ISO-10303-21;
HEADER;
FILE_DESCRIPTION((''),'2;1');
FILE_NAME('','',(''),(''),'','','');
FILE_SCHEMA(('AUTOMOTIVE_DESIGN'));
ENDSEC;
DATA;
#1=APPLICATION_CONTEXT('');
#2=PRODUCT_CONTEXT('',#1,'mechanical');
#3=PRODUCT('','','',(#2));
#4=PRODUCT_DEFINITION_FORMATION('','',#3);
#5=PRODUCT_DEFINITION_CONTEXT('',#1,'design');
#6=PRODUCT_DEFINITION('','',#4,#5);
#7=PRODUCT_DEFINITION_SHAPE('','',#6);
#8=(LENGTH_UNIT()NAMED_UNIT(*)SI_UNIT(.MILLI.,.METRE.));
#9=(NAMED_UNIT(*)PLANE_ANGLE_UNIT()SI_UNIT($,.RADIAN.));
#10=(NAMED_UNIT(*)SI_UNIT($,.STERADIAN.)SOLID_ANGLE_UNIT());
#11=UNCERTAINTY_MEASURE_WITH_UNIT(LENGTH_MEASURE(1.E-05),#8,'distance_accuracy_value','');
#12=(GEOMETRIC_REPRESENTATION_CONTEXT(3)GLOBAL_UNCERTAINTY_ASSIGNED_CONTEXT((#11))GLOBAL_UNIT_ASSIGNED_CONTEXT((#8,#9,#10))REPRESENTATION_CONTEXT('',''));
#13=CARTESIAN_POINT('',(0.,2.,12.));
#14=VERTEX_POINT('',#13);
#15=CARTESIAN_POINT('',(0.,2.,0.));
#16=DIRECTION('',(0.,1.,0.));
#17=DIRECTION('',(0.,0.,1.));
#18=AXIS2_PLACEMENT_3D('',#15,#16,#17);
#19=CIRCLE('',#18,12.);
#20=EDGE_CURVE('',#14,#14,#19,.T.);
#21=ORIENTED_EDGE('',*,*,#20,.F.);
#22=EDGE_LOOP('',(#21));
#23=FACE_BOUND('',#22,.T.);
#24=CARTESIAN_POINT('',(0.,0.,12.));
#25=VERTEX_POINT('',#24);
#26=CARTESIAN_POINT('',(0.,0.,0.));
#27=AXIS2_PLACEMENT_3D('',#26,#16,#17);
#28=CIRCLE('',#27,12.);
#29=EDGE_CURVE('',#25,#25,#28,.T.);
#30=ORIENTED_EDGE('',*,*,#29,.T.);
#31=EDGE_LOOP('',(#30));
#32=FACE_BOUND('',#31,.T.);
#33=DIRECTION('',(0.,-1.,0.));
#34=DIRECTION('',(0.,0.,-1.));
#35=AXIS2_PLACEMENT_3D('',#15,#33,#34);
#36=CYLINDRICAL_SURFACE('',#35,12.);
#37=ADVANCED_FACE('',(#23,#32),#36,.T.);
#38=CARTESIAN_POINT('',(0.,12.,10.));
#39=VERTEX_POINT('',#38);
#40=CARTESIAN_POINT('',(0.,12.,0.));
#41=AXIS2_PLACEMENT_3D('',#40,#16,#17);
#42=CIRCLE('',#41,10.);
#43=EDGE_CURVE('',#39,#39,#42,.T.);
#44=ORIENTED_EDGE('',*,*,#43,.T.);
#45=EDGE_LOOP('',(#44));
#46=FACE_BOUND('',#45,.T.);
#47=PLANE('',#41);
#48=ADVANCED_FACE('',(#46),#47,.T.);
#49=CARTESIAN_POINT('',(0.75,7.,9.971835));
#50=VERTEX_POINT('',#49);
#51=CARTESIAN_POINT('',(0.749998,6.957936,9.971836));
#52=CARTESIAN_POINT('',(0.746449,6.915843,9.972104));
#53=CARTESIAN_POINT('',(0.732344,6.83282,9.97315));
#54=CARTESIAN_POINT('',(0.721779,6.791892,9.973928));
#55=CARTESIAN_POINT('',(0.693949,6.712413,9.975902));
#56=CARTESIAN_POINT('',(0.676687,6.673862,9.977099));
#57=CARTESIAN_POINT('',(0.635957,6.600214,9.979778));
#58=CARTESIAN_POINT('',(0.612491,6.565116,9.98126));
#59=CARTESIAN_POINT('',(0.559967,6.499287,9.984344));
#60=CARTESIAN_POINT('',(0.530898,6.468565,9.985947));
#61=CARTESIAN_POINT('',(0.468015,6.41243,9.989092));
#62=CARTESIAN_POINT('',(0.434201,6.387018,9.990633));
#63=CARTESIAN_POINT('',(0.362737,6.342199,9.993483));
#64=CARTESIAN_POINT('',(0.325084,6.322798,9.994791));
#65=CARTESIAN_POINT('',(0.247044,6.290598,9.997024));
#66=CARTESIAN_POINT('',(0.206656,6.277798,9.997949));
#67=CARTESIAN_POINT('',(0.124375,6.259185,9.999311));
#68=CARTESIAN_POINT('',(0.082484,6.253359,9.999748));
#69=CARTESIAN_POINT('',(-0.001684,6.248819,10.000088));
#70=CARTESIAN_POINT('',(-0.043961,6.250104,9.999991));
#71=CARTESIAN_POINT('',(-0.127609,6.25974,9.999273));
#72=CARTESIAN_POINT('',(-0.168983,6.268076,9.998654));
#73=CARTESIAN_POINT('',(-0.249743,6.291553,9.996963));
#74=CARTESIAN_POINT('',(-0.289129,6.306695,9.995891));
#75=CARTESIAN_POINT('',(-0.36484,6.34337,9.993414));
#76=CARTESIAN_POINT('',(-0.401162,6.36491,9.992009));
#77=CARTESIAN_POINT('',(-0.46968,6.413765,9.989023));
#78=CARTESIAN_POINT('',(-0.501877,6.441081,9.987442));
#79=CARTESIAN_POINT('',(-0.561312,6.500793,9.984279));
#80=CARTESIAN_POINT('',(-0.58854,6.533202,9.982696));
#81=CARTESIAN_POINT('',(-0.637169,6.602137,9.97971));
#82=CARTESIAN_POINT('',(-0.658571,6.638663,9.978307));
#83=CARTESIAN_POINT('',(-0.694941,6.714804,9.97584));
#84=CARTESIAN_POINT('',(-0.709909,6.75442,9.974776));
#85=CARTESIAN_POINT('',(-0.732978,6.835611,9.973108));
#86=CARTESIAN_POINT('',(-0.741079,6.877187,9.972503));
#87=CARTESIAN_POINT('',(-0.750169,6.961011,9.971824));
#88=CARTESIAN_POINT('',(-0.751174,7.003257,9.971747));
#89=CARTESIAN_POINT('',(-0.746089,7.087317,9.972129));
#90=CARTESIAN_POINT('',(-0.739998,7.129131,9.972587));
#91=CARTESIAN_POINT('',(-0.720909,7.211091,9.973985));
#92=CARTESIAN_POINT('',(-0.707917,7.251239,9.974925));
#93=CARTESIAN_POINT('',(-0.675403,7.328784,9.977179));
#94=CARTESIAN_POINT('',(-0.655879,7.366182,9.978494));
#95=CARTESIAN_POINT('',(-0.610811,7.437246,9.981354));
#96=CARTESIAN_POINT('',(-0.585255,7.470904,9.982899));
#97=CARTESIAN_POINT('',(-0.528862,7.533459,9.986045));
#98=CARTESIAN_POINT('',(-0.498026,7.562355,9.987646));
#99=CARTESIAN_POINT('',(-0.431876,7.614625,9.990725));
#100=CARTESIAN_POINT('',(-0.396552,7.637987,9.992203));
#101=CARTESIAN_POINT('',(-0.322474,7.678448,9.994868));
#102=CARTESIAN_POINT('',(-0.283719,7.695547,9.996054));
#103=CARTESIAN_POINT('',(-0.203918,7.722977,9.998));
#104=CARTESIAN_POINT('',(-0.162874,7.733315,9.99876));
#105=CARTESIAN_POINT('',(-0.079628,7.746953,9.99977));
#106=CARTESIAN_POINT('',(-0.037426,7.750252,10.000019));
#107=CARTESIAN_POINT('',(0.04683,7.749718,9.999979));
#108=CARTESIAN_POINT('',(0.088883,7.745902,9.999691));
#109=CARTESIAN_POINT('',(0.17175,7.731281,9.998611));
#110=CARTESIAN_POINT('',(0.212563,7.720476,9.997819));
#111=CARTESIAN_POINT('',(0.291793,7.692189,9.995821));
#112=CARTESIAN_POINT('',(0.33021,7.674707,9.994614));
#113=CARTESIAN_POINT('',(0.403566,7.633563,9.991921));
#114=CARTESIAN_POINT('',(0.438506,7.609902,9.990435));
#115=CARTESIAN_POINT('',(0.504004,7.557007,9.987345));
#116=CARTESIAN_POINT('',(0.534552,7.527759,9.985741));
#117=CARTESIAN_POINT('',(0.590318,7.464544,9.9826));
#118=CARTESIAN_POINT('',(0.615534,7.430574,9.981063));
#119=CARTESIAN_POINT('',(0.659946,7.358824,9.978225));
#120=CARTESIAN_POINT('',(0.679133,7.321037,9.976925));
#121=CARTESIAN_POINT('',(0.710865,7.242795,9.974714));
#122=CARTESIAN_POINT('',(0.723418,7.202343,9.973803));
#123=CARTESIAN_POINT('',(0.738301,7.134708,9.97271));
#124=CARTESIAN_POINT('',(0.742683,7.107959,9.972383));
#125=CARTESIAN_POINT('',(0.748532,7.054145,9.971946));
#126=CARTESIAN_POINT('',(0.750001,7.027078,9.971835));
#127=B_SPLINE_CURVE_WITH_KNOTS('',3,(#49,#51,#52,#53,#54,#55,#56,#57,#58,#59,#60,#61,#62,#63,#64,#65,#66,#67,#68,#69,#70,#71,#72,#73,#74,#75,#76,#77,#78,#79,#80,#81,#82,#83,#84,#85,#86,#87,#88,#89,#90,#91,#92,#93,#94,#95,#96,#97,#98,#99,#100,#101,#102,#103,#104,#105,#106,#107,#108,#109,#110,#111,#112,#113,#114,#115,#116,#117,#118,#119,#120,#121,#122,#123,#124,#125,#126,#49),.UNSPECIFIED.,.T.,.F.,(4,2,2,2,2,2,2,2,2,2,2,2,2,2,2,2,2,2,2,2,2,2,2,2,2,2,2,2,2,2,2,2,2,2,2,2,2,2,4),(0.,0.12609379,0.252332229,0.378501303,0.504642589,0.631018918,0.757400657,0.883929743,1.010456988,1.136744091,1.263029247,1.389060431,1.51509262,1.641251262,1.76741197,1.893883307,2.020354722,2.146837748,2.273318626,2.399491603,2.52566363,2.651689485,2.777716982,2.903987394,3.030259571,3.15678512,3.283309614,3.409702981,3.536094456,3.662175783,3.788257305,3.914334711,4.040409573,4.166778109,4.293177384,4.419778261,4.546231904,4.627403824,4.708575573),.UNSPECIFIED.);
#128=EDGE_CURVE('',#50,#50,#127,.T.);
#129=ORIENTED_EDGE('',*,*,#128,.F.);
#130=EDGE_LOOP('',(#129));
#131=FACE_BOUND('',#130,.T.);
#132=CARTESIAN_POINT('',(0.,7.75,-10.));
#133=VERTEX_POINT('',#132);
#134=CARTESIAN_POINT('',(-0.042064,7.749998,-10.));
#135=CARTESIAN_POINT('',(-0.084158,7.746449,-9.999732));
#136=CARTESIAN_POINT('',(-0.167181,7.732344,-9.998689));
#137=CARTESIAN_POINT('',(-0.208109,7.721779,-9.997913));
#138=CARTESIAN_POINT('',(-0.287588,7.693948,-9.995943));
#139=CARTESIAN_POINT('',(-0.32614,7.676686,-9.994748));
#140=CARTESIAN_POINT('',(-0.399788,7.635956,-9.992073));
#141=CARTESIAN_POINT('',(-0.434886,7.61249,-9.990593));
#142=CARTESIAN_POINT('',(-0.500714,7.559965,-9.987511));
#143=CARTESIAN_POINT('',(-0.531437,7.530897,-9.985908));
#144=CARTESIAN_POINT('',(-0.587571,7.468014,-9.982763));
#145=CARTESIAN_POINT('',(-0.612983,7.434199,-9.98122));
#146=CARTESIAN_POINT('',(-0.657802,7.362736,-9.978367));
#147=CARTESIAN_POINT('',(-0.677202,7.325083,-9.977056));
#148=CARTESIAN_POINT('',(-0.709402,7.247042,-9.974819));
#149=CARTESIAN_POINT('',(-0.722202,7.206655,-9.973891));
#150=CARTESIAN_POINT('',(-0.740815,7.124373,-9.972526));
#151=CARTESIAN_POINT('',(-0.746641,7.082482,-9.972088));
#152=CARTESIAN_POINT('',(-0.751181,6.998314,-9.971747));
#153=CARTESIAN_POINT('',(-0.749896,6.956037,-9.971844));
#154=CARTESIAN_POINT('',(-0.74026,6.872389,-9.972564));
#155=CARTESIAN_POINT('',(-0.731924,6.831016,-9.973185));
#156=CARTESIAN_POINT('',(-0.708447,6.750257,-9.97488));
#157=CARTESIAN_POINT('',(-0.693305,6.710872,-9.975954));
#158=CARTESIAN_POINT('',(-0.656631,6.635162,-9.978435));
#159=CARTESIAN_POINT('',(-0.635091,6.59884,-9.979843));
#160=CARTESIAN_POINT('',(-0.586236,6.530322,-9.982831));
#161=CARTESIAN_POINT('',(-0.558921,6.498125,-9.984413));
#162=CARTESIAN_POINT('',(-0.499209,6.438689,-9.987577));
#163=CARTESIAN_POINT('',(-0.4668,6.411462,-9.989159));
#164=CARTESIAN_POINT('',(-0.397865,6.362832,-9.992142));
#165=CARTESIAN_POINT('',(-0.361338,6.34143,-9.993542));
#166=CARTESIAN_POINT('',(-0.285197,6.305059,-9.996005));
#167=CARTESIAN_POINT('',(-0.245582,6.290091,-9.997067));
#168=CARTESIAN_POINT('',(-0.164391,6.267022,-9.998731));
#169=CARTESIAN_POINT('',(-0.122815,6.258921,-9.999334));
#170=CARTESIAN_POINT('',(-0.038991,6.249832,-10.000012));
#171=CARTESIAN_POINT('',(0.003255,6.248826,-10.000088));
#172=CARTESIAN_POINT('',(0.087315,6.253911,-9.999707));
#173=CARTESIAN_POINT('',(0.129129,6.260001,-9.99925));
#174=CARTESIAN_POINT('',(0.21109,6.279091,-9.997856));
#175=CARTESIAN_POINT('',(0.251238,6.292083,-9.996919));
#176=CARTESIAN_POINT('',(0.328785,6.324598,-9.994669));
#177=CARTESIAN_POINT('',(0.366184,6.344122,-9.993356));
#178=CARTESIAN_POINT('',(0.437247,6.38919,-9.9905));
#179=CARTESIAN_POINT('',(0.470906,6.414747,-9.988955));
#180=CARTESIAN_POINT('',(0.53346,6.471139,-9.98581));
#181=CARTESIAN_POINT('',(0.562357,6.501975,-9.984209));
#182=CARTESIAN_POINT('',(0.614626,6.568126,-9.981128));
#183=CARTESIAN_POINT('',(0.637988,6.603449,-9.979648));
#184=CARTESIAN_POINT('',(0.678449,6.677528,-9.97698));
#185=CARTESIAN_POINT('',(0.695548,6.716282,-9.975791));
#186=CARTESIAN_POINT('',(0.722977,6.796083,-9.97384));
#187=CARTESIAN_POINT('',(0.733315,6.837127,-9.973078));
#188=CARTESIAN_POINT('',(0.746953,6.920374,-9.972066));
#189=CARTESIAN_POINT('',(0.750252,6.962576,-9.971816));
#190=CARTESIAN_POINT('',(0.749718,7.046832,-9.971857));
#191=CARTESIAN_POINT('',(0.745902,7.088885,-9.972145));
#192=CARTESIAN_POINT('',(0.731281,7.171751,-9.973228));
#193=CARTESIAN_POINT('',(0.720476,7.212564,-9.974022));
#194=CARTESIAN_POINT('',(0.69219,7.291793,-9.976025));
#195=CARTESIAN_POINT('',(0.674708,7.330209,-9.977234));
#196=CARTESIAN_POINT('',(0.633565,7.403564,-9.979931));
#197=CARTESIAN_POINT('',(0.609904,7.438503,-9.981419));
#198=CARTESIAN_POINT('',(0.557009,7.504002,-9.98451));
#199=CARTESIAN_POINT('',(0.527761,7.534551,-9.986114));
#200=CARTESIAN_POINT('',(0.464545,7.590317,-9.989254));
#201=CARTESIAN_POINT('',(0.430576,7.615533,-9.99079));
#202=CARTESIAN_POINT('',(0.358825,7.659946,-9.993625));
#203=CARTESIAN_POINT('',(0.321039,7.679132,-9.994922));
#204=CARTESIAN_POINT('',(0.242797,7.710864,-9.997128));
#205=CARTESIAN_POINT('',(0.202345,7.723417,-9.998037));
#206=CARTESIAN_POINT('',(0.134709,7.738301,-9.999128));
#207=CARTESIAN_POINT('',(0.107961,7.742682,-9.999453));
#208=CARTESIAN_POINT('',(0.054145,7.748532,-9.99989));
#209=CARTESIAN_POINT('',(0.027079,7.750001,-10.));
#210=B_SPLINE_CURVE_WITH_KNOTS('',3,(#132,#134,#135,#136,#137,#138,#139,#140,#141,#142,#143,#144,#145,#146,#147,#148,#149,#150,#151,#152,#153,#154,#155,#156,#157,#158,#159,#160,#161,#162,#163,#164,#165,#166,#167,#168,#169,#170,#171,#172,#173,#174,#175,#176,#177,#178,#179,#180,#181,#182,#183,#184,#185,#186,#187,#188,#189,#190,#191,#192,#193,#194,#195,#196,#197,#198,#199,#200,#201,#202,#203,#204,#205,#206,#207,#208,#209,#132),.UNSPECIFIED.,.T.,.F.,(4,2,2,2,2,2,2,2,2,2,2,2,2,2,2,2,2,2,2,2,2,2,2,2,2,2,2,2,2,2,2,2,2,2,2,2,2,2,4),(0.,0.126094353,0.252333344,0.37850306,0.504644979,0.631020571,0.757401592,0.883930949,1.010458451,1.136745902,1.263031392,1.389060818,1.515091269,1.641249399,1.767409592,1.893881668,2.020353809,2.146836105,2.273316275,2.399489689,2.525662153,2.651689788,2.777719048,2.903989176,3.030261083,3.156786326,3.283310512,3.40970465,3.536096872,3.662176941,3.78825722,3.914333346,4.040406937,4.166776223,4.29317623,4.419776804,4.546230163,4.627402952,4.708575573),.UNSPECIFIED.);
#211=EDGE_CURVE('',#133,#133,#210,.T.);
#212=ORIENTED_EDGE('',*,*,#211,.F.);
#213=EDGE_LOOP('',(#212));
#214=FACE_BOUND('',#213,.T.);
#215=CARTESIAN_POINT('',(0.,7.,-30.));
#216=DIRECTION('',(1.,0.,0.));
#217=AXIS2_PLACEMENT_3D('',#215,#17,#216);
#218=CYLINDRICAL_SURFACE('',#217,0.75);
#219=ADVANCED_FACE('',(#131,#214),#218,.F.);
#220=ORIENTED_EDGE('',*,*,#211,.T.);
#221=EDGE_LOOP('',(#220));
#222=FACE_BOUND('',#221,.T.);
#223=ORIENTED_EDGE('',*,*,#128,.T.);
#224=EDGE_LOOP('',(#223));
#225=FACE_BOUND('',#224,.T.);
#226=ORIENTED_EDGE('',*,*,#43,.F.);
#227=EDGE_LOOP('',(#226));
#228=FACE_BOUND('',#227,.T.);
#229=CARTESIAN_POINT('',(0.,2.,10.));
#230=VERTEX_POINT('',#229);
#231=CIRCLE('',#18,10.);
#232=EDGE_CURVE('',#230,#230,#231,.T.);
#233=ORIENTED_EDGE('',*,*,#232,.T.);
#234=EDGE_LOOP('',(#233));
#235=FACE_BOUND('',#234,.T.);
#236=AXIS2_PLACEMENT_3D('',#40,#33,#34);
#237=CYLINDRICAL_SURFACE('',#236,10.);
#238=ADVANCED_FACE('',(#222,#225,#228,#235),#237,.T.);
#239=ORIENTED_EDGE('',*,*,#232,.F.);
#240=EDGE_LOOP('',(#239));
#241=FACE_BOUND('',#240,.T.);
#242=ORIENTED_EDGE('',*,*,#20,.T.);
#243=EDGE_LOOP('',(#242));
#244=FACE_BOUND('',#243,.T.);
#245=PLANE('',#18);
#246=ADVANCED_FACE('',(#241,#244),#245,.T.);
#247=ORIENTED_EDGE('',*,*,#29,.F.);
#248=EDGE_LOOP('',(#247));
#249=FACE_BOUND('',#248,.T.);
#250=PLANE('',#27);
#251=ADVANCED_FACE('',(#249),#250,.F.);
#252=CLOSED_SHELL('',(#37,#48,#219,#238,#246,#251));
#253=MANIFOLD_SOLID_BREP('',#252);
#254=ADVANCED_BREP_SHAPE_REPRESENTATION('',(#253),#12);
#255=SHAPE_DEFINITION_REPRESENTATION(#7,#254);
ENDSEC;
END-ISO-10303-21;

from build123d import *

# Parameters (mm, degrees)
SKETCH_1_R          = 12
EXTRUDE_1_DEPTH     = 2
SKETCH_2_R          = 10
EXTRUDE_2_DEPTH     = 10
SKETCH_3_R          = 0.75
CUT_EXTRUDE_1_DEPTH = 30


with BuildPart() as part:
    # 草图1 → 凸台-拉伸1 (new body)
    with BuildSketch(Plane(origin=(0, 0, 0), x_dir=(1, 0, 0), z_dir=(0, 1, 0))):
        with Locations(Location((0, 0, 0), (0, 0, 270))):
            Circle(SKETCH_1_R)
    extrude(amount=EXTRUDE_1_DEPTH)

    # 草图2 → 凸台-拉伸2 (add)
    with BuildSketch(Plane(origin=(0, 2, 0), x_dir=(1, 0, 0), z_dir=(0, 1, 0))):
        with Locations(Location((0, 0, 0), (0, 0, 270))):
            Circle(SKETCH_2_R)
    extrude(amount=EXTRUDE_2_DEPTH)

    # 草图3 → 切除-拉伸1 (cut, symmetric)
    with BuildSketch(Plane.XY):
        with Locations((0, 7)):
            Circle(SKETCH_3_R)
    extrude(amount=CUT_EXTRUDE_1_DEPTH, both=True, mode=Mode.SUBTRACT)


solid = part.part
